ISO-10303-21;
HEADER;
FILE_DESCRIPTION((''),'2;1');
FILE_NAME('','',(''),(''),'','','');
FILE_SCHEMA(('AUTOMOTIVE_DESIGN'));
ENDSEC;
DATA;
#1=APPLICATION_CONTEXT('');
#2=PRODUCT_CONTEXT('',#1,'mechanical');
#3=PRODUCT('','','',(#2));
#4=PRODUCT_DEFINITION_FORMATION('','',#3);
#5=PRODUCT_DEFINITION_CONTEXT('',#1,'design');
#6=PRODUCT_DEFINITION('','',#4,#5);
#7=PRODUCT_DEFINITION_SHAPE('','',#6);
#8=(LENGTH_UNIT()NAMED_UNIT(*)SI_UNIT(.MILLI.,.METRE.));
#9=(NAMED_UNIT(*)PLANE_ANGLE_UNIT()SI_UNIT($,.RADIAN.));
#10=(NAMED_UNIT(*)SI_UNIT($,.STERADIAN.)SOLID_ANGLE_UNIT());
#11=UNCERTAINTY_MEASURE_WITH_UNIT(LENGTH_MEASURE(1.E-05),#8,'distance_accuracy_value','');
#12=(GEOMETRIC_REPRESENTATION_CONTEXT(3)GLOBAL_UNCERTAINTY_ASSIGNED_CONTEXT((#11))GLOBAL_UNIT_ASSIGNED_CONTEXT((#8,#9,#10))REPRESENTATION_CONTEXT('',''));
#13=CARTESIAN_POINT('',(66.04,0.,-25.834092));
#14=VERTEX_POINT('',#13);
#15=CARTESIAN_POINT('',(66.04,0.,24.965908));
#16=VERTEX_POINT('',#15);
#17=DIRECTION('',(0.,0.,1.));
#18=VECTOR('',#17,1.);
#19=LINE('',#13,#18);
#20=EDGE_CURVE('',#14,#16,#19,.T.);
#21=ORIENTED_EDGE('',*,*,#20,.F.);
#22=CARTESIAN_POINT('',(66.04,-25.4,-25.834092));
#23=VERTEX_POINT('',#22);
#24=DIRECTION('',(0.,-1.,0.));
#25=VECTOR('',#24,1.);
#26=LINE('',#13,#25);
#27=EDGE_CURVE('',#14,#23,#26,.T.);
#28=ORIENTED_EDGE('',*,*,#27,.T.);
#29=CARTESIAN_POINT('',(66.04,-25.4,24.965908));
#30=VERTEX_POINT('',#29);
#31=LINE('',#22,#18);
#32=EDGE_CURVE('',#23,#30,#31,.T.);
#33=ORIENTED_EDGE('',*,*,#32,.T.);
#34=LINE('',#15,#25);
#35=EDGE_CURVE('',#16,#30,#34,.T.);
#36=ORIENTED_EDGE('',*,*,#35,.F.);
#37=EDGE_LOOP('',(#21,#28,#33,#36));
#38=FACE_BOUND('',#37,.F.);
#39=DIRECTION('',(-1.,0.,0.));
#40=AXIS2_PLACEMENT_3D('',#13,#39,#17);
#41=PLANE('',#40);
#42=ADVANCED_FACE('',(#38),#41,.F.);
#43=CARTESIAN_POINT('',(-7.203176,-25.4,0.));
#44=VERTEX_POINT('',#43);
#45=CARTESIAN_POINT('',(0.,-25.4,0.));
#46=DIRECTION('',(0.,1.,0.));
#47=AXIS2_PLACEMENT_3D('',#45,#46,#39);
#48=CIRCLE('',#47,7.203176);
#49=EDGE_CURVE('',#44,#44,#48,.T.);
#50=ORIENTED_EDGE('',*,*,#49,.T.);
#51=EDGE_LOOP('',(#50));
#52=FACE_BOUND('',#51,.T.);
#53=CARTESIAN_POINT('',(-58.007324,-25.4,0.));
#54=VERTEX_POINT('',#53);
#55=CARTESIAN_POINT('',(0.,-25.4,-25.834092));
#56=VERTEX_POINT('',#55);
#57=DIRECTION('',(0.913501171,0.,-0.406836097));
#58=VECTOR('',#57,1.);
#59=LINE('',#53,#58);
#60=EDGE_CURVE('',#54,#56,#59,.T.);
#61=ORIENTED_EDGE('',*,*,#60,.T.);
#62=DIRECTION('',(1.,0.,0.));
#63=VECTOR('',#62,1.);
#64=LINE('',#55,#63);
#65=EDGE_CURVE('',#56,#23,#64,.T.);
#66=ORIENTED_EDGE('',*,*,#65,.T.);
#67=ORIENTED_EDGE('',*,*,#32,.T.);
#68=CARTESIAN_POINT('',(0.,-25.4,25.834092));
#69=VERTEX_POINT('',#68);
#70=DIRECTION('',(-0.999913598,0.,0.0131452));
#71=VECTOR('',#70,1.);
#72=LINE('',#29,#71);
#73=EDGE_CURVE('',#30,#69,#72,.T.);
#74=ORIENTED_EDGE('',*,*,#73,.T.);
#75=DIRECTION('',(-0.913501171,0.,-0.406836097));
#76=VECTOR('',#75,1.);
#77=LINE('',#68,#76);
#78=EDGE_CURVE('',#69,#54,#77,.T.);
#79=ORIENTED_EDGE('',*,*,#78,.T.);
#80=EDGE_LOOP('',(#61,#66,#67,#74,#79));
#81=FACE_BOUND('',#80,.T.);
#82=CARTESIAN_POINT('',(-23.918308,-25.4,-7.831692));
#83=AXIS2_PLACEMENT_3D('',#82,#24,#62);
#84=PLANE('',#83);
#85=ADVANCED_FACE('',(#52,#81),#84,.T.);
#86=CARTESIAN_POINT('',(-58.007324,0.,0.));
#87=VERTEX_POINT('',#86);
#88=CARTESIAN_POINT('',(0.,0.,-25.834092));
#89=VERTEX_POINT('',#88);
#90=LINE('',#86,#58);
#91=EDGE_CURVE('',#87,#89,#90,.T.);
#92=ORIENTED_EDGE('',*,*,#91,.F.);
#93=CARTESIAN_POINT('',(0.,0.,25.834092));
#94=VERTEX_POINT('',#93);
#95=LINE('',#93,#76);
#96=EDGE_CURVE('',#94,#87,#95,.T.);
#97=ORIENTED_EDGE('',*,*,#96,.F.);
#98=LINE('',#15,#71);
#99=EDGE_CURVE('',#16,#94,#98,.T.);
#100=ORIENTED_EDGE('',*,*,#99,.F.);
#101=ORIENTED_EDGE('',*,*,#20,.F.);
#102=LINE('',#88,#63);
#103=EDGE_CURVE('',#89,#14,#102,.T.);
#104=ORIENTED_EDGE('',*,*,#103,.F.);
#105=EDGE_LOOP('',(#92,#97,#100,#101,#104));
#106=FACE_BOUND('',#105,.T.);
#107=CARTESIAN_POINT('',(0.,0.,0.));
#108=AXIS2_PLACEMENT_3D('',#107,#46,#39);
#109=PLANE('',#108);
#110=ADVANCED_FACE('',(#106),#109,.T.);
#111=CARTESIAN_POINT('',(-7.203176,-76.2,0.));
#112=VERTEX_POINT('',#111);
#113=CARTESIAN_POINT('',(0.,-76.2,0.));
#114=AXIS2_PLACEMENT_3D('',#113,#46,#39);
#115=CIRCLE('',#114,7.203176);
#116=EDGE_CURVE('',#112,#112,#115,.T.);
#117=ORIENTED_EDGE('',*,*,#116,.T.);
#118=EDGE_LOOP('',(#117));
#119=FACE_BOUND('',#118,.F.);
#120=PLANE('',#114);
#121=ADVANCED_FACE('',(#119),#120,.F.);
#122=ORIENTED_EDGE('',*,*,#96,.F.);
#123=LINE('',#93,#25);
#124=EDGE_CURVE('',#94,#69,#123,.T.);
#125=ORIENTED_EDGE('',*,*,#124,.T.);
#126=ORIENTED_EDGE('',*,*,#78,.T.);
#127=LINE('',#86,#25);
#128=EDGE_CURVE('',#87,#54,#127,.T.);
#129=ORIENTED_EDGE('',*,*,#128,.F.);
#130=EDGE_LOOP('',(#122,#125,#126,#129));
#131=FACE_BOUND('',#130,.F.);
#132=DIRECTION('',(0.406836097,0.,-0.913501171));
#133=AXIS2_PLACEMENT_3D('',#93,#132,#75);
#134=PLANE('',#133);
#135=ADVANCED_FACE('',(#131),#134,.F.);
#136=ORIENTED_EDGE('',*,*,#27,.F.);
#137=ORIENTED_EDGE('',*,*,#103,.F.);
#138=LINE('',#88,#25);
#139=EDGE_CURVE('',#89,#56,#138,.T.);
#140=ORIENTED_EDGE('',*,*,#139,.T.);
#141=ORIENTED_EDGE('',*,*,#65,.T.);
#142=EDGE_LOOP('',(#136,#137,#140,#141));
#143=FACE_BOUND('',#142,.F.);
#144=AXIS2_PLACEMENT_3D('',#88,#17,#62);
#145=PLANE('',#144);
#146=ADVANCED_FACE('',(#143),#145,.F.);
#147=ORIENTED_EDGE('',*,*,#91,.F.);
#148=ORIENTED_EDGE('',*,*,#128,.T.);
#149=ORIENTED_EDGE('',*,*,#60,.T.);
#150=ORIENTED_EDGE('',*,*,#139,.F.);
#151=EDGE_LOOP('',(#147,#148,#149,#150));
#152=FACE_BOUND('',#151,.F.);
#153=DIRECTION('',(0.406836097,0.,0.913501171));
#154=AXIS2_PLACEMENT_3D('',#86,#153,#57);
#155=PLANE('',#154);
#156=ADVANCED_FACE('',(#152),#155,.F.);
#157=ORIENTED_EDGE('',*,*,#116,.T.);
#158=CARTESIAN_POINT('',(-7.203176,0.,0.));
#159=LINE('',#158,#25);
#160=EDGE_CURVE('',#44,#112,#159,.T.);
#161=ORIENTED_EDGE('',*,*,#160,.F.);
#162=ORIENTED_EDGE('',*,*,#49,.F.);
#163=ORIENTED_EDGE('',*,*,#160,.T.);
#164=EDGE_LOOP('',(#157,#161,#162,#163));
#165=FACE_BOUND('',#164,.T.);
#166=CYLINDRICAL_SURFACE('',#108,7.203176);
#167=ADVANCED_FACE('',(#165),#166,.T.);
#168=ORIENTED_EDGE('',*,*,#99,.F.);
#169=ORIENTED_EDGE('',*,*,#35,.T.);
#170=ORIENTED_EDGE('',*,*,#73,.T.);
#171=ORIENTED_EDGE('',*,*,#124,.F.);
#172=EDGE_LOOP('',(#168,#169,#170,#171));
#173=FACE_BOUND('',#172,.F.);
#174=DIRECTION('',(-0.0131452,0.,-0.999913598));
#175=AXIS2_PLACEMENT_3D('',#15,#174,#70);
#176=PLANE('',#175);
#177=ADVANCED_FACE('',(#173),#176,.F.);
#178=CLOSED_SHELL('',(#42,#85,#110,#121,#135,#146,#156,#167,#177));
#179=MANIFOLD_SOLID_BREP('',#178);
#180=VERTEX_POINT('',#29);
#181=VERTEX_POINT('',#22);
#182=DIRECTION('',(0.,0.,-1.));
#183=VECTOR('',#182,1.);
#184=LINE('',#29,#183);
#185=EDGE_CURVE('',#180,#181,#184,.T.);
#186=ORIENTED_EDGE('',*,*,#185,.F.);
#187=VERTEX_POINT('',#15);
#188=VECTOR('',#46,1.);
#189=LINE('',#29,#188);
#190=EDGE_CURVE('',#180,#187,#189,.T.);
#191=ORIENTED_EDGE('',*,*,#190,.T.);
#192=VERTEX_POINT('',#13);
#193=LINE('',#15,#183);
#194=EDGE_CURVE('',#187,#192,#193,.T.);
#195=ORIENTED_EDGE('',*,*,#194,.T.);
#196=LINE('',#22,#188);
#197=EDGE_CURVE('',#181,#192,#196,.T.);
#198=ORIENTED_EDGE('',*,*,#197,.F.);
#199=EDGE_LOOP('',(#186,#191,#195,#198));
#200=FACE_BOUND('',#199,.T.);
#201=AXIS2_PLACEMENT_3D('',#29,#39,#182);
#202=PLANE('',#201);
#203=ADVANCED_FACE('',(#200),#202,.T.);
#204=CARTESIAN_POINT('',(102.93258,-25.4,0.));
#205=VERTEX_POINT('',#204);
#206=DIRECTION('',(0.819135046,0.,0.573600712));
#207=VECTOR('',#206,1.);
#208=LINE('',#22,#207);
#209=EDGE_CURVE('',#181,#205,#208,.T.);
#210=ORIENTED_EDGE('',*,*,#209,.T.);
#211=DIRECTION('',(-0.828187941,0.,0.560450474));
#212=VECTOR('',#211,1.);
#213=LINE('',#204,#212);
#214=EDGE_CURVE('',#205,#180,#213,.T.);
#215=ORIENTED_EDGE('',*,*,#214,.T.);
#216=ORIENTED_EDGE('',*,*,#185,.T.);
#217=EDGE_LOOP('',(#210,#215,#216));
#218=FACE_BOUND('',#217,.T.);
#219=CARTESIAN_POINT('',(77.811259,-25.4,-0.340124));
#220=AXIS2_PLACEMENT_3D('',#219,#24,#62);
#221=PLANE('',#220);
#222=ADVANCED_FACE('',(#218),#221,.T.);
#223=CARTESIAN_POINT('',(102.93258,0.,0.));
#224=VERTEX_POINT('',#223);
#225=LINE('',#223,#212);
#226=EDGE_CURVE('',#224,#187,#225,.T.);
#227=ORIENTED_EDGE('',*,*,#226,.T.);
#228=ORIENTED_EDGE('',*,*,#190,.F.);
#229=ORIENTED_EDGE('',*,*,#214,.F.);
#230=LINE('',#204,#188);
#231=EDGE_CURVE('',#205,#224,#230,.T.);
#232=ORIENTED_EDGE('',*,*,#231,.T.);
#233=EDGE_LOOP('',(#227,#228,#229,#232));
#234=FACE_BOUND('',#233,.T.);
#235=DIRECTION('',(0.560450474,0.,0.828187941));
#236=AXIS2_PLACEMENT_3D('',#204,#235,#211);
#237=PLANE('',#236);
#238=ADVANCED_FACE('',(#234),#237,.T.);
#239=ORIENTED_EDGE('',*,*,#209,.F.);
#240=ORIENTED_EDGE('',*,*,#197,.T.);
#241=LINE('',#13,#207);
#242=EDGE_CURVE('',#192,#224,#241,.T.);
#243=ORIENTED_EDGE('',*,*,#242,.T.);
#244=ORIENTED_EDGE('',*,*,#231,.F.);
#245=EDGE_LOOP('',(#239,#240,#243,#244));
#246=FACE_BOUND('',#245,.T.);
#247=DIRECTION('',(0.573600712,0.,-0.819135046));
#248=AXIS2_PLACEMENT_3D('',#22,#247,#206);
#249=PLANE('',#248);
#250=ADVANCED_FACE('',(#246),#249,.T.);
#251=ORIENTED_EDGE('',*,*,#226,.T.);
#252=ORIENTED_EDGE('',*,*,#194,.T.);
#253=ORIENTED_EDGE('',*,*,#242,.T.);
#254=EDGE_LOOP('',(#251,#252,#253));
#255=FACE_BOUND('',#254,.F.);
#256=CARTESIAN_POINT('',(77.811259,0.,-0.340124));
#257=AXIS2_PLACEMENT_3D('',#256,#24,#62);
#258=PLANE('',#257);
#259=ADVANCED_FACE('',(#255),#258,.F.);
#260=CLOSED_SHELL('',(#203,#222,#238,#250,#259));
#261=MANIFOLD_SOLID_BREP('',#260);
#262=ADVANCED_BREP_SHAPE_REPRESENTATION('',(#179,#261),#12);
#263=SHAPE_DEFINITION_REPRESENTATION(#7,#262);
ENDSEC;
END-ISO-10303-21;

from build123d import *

# Parameters (mm, degrees)
F1_DEPTH = 25.4
F2_R     = 7.203176
F3_DEPTH = 76.2
F5_DEPTH = 25.4


with BuildPart() as f1:
    # F0 (on Front) → F1 (new body)
    with BuildSketch(Plane.XZ):
        Polygon((0, -25.834092), (0, 0), (-58.007324, 0), align=None)
        Polygon((0, 25.834092), (0, 0), (0, -25.834092), (66.04, -25.834092), (66.04, 24.965908), align=None)
        Polygon((-58.007324, 0), (0, 0), (0, 25.834092), align=None)
    extrude(amount=F1_DEPTH)

    # F2 (on face) → F3 (join)
    with BuildSketch(Plane(origin=(0, 0, 0), x_dir=(-1, 0, 0), z_dir=(0, 1, 0))):
        Circle(F2_R)
    extrude(amount=-F3_DEPTH)


with BuildPart() as f5:
    # F4 (on face) → F5 (new body)
    with BuildSketch(Plane.XZ.offset(25.4)):
        Polygon((102.93258, 0), (66.04, 24.965908), (66.04, -25.834092), align=None)
    extrude(amount=-F5_DEPTH)


solid = Compound([f1.part, f5.part])
